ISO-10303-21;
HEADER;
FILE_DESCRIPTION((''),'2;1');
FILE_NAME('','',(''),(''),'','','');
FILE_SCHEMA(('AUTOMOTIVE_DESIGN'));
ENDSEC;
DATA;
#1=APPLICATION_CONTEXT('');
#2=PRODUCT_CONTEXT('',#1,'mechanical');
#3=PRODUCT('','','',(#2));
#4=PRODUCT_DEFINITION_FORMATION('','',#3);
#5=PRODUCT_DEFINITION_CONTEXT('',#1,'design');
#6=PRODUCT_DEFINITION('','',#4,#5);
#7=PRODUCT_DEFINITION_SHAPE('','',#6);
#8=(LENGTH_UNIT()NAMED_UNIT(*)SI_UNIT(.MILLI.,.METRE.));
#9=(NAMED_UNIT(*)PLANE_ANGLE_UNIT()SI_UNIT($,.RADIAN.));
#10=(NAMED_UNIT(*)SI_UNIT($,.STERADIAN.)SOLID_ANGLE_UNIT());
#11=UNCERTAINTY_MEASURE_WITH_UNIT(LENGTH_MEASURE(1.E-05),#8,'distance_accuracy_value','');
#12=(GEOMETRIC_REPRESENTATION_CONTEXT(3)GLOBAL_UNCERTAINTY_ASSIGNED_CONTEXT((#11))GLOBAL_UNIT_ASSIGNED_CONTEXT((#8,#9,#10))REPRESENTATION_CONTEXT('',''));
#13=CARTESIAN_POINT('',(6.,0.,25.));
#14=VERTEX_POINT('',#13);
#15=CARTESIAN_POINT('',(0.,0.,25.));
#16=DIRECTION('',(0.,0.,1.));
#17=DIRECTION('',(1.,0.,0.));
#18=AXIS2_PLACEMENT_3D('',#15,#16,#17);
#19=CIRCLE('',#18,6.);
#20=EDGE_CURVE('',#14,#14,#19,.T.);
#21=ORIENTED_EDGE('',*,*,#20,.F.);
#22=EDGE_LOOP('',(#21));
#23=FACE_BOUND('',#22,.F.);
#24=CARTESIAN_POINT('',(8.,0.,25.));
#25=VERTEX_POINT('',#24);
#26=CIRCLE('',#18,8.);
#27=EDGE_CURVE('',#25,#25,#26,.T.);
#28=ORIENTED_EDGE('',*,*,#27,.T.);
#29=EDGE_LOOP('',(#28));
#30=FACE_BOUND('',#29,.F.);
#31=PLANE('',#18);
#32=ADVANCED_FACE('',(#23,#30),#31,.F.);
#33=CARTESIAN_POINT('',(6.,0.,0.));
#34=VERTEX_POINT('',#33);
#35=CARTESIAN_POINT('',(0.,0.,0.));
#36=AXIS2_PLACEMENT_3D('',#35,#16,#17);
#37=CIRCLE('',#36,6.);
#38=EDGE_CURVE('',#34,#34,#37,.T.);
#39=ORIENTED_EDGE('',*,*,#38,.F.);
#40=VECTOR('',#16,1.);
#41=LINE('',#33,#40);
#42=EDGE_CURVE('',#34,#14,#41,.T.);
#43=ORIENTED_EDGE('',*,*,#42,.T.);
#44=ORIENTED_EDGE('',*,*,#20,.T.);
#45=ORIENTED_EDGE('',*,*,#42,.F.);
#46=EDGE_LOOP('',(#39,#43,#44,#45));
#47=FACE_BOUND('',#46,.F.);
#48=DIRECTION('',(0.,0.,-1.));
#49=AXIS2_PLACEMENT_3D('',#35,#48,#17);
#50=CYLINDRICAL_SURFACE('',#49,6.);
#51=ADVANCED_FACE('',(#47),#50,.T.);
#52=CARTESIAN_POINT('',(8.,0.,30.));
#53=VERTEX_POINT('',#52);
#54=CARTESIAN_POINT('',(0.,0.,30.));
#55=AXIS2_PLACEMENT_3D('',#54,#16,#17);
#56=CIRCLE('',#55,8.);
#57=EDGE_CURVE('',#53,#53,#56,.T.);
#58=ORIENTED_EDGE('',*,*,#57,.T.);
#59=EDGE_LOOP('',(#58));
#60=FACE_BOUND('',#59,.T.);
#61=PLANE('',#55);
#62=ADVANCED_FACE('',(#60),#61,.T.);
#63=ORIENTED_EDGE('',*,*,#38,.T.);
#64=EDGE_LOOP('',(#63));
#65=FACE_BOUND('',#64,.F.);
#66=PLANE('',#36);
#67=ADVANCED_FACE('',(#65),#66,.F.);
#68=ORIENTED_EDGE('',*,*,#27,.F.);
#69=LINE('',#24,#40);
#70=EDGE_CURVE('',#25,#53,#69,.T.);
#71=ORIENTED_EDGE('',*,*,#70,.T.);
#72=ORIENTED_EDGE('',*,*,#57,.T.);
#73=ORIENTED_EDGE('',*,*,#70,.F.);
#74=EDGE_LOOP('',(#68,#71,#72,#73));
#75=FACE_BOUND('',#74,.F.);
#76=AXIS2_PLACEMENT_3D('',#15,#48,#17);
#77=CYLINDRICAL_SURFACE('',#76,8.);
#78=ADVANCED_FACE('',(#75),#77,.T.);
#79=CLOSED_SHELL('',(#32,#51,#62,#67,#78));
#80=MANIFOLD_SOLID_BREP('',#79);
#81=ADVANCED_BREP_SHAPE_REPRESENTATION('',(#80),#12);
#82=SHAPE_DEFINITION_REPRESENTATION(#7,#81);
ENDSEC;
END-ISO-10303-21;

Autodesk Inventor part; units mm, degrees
ref_plane "YZ Plane" through (0, 0, 0) normal (1, 0, 0) x (0, 1, 0)
ref_plane "XZ Plane" through (0, 0, 0) normal (0, 1, 0) x (-1, 0, 0)
ref_plane "XY Plane" through (0, 0, 0) normal (0, 0, 1) x (1, 0, 0)
sketch "Sketch1" plane through (0, 0, 0) normal (0, 0, 1) x (1, 0, 0)
  circle A0 centre (0, 0) radius 6
  dimension "d0" = 12
extrude "Extrusion1" add sketch "Sketch1" along normal blind 25
sketch "Sketch2" plane through (0, 0, 25) normal (0, 0, 1) x (1, 0, 0)
  circle A0 centre (0, 0) radius 8
  dimension "d3" = 16
extrude "Extrusion2" add sketch "Sketch2" along normal blind 5
properties part number "merkez_pimi"
